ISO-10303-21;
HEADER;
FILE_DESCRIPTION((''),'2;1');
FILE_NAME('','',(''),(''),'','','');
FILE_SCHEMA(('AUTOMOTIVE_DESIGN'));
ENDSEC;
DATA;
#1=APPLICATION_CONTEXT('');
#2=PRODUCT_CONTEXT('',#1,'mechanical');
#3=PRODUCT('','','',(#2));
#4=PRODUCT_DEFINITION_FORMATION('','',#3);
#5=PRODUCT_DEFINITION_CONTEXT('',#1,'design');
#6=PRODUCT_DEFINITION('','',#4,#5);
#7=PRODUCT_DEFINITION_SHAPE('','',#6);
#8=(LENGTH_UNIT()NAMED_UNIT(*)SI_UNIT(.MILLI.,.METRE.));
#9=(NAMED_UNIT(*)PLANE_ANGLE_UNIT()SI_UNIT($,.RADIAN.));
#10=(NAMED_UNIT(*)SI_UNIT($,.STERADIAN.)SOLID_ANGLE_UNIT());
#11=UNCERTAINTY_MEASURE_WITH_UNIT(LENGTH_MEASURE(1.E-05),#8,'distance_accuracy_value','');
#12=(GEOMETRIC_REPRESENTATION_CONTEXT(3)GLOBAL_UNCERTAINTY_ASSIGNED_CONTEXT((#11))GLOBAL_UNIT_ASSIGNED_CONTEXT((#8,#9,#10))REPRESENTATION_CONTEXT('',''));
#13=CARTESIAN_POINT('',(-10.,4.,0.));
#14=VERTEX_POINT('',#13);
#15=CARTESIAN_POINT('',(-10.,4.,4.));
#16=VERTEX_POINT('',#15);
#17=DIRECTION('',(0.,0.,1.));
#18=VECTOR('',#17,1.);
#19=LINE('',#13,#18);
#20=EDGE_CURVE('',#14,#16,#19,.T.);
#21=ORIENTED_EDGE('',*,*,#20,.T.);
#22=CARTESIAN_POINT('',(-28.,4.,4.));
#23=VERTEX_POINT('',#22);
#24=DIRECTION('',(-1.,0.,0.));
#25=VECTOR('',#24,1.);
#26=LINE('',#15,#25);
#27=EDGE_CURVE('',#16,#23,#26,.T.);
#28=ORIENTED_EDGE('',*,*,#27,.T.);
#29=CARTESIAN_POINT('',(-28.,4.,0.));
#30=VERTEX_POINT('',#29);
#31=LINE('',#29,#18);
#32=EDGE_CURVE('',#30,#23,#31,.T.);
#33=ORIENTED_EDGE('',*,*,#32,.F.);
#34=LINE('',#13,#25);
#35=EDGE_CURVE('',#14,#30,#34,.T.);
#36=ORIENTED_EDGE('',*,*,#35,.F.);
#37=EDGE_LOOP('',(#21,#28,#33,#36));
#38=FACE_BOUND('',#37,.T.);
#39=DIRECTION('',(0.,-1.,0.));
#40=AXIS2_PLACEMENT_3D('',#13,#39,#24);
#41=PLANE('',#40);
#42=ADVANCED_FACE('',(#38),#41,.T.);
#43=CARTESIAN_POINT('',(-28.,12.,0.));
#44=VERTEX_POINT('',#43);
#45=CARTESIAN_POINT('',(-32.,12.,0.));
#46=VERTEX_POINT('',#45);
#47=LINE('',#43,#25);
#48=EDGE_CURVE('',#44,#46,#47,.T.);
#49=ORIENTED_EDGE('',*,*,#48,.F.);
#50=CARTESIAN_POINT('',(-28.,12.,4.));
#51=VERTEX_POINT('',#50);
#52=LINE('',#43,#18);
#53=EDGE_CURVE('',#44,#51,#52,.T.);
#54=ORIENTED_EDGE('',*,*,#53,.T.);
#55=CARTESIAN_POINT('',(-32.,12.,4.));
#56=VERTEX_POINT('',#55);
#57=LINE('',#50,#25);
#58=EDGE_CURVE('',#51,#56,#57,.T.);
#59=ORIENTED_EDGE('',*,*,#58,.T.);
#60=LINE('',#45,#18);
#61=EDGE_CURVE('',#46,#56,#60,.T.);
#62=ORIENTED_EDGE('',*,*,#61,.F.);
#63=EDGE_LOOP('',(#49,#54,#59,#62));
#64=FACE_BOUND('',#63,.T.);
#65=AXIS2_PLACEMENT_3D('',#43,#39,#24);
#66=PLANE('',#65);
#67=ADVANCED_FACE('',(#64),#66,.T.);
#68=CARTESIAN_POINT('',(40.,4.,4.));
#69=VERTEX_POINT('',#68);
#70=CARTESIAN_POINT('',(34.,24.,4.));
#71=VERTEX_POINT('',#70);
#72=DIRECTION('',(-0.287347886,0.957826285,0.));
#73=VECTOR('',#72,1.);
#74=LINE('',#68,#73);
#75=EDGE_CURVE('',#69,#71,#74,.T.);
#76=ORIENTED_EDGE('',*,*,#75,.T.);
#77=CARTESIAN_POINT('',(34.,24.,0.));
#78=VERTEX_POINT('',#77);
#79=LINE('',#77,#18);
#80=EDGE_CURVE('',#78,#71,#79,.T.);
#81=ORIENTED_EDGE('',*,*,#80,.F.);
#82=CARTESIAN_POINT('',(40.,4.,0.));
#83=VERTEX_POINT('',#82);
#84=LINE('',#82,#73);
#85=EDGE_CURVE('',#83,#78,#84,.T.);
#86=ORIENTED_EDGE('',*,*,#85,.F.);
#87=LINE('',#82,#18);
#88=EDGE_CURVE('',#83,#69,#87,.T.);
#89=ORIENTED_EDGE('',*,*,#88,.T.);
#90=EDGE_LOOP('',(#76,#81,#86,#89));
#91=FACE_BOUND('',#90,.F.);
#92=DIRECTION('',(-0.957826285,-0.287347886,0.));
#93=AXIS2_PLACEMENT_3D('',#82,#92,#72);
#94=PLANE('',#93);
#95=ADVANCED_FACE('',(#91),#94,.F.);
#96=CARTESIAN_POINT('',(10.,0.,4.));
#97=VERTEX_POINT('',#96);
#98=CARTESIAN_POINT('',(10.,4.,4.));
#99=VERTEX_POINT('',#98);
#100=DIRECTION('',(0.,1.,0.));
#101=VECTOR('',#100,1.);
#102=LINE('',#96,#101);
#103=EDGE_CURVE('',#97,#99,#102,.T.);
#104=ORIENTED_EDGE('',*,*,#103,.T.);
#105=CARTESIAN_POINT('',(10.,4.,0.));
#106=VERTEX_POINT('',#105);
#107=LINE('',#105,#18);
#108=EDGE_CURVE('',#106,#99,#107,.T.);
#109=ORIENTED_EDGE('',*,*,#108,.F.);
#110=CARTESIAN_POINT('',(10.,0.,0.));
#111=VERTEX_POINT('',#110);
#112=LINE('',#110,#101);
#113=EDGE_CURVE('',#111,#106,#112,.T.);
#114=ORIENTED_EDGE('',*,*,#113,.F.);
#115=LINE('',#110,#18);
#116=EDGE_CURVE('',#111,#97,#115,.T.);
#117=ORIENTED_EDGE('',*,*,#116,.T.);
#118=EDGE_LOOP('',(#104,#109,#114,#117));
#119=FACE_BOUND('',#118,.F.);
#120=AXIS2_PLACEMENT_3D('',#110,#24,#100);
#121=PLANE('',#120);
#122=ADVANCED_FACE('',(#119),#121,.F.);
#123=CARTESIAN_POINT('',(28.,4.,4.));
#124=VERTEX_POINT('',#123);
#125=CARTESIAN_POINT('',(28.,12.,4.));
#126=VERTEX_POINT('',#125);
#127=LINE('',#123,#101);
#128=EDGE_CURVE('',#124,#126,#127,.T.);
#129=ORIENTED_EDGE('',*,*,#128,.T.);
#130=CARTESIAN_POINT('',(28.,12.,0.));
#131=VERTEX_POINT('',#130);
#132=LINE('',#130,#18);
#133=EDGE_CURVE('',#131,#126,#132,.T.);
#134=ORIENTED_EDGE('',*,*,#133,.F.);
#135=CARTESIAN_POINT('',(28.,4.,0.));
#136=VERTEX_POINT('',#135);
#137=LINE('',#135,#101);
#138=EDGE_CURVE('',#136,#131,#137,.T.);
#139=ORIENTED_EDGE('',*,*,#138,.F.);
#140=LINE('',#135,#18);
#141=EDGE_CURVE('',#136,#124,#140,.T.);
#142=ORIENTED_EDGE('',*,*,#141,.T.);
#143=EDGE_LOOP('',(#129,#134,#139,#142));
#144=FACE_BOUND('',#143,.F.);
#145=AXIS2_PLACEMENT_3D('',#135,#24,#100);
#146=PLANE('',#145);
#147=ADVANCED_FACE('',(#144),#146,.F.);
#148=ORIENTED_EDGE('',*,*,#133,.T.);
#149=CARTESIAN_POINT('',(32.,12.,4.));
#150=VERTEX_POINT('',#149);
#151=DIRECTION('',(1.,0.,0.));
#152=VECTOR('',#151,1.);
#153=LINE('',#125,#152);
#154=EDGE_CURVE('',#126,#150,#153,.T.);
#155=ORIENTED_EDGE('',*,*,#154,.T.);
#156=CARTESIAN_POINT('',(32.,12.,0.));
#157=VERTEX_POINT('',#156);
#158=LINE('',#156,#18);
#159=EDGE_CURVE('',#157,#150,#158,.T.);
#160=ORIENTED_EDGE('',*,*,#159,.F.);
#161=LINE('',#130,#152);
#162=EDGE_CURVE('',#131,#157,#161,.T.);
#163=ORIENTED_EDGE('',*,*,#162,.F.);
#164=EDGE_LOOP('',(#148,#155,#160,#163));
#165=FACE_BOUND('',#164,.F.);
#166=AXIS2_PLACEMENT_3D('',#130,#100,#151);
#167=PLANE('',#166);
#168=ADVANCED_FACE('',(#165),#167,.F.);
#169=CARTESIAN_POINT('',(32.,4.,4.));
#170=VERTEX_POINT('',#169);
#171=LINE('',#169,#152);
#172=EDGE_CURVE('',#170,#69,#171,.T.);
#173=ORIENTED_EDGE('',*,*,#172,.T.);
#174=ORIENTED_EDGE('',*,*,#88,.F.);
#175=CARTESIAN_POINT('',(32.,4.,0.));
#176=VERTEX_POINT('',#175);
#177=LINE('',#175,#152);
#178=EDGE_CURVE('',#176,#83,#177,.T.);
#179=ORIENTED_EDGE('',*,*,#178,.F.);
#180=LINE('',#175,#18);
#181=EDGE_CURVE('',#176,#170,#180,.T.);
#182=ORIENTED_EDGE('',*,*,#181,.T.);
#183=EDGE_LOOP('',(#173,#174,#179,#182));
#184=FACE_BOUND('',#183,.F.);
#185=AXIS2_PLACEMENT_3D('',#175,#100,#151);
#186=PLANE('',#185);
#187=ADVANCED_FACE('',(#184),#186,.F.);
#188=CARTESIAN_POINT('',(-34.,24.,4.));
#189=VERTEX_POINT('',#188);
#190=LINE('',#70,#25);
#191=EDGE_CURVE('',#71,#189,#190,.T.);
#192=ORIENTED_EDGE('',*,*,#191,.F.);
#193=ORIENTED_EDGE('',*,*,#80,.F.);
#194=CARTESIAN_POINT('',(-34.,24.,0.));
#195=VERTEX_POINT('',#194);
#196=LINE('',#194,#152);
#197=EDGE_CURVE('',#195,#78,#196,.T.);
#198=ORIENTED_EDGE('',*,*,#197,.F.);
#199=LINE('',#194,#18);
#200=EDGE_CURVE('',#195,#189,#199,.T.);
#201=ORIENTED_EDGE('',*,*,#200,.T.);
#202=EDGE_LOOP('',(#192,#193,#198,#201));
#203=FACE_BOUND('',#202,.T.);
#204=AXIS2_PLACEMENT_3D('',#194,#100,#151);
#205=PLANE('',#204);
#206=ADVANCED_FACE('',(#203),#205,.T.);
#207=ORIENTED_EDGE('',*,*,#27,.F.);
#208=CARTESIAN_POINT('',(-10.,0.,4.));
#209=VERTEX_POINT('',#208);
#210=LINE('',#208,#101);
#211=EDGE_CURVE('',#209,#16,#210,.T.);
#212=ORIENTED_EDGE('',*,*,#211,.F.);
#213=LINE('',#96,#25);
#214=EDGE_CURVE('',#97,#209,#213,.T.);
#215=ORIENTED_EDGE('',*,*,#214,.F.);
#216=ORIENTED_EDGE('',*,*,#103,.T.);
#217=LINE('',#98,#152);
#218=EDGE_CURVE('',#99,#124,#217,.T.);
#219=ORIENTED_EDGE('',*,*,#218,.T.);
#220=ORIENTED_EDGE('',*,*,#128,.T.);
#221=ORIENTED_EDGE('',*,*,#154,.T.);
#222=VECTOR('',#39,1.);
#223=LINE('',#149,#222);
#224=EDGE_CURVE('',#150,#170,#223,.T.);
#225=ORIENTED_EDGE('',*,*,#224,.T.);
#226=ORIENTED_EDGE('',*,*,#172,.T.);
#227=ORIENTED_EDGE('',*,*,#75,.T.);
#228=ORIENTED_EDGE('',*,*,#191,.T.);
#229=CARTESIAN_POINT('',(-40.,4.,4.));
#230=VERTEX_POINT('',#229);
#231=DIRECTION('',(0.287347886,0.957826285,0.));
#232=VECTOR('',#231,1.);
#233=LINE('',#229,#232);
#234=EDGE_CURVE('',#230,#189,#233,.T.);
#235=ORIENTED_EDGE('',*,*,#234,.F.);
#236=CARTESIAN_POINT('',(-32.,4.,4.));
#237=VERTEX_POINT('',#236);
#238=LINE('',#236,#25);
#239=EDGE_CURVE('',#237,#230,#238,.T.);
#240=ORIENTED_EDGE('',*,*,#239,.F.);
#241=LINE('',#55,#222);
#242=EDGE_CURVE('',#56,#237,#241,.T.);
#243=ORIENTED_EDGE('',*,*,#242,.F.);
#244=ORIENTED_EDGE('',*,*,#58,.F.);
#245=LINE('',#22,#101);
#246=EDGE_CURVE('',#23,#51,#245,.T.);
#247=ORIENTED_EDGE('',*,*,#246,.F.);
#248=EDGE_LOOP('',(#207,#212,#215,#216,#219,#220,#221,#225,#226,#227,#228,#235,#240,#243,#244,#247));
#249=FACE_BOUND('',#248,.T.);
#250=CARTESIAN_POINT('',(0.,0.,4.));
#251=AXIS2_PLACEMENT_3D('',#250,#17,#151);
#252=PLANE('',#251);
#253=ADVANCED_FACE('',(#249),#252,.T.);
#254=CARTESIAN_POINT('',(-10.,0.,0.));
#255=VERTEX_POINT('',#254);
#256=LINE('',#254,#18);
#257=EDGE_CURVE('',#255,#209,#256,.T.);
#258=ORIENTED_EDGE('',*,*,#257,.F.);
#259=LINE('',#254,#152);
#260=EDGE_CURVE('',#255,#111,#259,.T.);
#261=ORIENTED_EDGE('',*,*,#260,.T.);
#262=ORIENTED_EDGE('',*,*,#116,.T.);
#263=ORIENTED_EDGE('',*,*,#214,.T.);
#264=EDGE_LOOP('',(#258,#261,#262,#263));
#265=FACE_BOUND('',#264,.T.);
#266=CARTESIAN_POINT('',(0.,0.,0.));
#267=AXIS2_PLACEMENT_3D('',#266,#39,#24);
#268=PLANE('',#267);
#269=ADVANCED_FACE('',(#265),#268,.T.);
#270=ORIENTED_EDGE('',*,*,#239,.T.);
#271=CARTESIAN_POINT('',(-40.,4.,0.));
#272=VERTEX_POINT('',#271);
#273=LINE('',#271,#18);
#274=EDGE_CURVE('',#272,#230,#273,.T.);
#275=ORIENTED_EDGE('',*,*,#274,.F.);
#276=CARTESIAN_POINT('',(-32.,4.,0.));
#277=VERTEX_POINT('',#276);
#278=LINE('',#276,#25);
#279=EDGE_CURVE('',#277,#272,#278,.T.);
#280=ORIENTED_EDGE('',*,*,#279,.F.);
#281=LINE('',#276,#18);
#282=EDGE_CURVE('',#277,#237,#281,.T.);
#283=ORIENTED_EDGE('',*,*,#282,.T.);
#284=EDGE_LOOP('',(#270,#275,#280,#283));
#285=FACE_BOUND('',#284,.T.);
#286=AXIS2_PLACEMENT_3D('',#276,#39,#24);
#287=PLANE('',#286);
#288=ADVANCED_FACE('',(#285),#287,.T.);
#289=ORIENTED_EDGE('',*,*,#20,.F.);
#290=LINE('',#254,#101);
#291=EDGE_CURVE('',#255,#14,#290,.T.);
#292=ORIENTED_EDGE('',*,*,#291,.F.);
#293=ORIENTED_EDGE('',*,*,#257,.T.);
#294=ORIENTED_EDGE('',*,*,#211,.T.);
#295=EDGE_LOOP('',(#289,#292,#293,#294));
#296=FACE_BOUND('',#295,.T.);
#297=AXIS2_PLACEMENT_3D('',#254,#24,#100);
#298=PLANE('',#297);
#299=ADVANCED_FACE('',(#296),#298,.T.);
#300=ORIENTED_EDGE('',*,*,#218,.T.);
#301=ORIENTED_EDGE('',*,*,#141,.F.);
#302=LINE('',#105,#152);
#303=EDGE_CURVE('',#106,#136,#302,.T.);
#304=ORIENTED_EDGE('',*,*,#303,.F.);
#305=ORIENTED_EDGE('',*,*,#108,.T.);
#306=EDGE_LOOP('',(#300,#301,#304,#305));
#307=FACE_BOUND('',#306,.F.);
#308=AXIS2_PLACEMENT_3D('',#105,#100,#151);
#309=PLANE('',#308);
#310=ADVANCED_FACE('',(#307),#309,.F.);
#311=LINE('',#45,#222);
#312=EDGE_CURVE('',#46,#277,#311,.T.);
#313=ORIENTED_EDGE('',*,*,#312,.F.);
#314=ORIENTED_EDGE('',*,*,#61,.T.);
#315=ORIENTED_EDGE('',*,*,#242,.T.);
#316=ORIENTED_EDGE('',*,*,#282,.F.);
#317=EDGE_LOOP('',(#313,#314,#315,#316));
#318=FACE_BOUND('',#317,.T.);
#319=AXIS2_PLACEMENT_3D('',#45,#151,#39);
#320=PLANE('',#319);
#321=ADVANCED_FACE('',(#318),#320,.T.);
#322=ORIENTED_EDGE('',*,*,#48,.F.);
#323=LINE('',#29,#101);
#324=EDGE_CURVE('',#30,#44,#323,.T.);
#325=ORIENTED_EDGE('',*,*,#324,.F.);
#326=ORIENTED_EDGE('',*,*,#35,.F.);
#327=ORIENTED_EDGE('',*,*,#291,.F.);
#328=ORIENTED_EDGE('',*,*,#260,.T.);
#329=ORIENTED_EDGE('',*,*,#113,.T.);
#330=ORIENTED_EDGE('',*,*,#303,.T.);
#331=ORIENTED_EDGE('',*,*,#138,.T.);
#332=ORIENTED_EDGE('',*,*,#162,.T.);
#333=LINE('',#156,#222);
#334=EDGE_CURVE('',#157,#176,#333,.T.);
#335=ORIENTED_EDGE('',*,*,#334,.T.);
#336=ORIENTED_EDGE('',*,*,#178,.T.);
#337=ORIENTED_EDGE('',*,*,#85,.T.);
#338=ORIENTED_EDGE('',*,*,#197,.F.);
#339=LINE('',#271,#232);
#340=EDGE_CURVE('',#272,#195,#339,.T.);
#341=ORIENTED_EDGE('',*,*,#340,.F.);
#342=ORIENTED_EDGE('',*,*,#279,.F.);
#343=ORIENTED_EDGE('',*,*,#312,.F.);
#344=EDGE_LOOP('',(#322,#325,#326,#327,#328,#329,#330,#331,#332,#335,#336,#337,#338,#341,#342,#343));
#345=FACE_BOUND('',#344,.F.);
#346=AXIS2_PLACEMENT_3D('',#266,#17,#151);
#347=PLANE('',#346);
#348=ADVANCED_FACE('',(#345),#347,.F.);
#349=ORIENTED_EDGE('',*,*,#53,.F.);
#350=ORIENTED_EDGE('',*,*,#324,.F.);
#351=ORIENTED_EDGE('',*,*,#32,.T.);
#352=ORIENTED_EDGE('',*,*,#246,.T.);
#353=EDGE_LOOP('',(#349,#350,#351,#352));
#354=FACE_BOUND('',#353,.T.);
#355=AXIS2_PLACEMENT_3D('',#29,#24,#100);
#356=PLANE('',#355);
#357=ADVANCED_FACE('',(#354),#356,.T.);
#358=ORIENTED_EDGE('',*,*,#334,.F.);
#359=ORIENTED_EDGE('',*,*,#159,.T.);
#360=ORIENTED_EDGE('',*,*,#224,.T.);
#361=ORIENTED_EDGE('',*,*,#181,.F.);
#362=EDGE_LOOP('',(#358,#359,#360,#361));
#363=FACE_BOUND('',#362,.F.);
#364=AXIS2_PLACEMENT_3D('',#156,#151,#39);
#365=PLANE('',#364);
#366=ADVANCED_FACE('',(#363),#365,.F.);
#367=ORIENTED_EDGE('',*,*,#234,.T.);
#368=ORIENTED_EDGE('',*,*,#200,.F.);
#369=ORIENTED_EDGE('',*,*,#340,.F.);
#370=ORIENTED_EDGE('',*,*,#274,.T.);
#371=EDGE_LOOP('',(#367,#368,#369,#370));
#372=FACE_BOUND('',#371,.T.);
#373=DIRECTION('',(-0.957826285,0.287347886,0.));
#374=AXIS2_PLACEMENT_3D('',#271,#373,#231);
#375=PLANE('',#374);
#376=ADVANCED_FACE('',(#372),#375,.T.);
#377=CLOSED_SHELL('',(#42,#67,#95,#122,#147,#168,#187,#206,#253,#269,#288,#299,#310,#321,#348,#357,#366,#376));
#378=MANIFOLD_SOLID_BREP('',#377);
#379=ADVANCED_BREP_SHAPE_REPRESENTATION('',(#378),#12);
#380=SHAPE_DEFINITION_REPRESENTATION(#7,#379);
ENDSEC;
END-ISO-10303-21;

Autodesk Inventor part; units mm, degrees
ref_plane "YZ Plane" through (0, 0, 0) normal (1, 0, 0) x (0, 1, 0)
ref_plane "XZ Plane" through (0, 0, 0) normal (0, 1, 0) x (-1, 0, 0)
ref_plane "XY Plane" through (0, 0, 0) normal (0, 0, 1) x (1, 0, 0)
sketch "Эскиз1" plane through (0, 0, 0) normal (0, 0, 1) x (1, 0, 0)
  line L0 (0, 0) -> (-10, 0)
  line L1 (-10, 0) -> (-10, 4)
  line L2 (-10, 4) -> (-28, 4)
  line L3 (-28, 4) -> (-28, 12)
  line L4 (-28, 12) -> (-32, 12)
  line L5 (-32, 12) -> (-32, 24) construction
  line L6 (-32, 24) -> (0, 24)
  line L7 (0, 24) -> (0, 0)
  line L8 (-32, 12) -> (-32, 4)
  line L9 (-32, 4) -> (-40, 4)
  line L10 (-40, 4) -> (-34, 24)
  line L11 (-34, 24) -> (-32, 24)
  line L12 (0, 0) -> (10, 0)
  line L13 (10, 0) -> (10, 4)
  line L14 (10, 4) -> (28, 4)
  line L15 (28, 4) -> (28, 12)
  line L16 (28, 12) -> (32, 12)
  line L17 (32, 12) -> (32, 24) construction
  line L18 (32, 24) -> (0, 24)
  line L19 (32, 12) -> (32, 4)
  line L20 (32, 4) -> (40, 4)
  line L21 (40, 4) -> (34, 24)
  line L22 (34, 24) -> (32, 24)
  dimension "d0" = 4
  dimension "d1" = 20
  dimension "d2" = 56
  dimension "d3" = 8
  dimension "d4" = 20
  dimension "d5" = 2
  dimension "d6" = 8
extrude "Выдавливание1" add sketch "Эскиз1" along normal blind 4
properties part number "Limiter2" material "Дерево (вишня)"
